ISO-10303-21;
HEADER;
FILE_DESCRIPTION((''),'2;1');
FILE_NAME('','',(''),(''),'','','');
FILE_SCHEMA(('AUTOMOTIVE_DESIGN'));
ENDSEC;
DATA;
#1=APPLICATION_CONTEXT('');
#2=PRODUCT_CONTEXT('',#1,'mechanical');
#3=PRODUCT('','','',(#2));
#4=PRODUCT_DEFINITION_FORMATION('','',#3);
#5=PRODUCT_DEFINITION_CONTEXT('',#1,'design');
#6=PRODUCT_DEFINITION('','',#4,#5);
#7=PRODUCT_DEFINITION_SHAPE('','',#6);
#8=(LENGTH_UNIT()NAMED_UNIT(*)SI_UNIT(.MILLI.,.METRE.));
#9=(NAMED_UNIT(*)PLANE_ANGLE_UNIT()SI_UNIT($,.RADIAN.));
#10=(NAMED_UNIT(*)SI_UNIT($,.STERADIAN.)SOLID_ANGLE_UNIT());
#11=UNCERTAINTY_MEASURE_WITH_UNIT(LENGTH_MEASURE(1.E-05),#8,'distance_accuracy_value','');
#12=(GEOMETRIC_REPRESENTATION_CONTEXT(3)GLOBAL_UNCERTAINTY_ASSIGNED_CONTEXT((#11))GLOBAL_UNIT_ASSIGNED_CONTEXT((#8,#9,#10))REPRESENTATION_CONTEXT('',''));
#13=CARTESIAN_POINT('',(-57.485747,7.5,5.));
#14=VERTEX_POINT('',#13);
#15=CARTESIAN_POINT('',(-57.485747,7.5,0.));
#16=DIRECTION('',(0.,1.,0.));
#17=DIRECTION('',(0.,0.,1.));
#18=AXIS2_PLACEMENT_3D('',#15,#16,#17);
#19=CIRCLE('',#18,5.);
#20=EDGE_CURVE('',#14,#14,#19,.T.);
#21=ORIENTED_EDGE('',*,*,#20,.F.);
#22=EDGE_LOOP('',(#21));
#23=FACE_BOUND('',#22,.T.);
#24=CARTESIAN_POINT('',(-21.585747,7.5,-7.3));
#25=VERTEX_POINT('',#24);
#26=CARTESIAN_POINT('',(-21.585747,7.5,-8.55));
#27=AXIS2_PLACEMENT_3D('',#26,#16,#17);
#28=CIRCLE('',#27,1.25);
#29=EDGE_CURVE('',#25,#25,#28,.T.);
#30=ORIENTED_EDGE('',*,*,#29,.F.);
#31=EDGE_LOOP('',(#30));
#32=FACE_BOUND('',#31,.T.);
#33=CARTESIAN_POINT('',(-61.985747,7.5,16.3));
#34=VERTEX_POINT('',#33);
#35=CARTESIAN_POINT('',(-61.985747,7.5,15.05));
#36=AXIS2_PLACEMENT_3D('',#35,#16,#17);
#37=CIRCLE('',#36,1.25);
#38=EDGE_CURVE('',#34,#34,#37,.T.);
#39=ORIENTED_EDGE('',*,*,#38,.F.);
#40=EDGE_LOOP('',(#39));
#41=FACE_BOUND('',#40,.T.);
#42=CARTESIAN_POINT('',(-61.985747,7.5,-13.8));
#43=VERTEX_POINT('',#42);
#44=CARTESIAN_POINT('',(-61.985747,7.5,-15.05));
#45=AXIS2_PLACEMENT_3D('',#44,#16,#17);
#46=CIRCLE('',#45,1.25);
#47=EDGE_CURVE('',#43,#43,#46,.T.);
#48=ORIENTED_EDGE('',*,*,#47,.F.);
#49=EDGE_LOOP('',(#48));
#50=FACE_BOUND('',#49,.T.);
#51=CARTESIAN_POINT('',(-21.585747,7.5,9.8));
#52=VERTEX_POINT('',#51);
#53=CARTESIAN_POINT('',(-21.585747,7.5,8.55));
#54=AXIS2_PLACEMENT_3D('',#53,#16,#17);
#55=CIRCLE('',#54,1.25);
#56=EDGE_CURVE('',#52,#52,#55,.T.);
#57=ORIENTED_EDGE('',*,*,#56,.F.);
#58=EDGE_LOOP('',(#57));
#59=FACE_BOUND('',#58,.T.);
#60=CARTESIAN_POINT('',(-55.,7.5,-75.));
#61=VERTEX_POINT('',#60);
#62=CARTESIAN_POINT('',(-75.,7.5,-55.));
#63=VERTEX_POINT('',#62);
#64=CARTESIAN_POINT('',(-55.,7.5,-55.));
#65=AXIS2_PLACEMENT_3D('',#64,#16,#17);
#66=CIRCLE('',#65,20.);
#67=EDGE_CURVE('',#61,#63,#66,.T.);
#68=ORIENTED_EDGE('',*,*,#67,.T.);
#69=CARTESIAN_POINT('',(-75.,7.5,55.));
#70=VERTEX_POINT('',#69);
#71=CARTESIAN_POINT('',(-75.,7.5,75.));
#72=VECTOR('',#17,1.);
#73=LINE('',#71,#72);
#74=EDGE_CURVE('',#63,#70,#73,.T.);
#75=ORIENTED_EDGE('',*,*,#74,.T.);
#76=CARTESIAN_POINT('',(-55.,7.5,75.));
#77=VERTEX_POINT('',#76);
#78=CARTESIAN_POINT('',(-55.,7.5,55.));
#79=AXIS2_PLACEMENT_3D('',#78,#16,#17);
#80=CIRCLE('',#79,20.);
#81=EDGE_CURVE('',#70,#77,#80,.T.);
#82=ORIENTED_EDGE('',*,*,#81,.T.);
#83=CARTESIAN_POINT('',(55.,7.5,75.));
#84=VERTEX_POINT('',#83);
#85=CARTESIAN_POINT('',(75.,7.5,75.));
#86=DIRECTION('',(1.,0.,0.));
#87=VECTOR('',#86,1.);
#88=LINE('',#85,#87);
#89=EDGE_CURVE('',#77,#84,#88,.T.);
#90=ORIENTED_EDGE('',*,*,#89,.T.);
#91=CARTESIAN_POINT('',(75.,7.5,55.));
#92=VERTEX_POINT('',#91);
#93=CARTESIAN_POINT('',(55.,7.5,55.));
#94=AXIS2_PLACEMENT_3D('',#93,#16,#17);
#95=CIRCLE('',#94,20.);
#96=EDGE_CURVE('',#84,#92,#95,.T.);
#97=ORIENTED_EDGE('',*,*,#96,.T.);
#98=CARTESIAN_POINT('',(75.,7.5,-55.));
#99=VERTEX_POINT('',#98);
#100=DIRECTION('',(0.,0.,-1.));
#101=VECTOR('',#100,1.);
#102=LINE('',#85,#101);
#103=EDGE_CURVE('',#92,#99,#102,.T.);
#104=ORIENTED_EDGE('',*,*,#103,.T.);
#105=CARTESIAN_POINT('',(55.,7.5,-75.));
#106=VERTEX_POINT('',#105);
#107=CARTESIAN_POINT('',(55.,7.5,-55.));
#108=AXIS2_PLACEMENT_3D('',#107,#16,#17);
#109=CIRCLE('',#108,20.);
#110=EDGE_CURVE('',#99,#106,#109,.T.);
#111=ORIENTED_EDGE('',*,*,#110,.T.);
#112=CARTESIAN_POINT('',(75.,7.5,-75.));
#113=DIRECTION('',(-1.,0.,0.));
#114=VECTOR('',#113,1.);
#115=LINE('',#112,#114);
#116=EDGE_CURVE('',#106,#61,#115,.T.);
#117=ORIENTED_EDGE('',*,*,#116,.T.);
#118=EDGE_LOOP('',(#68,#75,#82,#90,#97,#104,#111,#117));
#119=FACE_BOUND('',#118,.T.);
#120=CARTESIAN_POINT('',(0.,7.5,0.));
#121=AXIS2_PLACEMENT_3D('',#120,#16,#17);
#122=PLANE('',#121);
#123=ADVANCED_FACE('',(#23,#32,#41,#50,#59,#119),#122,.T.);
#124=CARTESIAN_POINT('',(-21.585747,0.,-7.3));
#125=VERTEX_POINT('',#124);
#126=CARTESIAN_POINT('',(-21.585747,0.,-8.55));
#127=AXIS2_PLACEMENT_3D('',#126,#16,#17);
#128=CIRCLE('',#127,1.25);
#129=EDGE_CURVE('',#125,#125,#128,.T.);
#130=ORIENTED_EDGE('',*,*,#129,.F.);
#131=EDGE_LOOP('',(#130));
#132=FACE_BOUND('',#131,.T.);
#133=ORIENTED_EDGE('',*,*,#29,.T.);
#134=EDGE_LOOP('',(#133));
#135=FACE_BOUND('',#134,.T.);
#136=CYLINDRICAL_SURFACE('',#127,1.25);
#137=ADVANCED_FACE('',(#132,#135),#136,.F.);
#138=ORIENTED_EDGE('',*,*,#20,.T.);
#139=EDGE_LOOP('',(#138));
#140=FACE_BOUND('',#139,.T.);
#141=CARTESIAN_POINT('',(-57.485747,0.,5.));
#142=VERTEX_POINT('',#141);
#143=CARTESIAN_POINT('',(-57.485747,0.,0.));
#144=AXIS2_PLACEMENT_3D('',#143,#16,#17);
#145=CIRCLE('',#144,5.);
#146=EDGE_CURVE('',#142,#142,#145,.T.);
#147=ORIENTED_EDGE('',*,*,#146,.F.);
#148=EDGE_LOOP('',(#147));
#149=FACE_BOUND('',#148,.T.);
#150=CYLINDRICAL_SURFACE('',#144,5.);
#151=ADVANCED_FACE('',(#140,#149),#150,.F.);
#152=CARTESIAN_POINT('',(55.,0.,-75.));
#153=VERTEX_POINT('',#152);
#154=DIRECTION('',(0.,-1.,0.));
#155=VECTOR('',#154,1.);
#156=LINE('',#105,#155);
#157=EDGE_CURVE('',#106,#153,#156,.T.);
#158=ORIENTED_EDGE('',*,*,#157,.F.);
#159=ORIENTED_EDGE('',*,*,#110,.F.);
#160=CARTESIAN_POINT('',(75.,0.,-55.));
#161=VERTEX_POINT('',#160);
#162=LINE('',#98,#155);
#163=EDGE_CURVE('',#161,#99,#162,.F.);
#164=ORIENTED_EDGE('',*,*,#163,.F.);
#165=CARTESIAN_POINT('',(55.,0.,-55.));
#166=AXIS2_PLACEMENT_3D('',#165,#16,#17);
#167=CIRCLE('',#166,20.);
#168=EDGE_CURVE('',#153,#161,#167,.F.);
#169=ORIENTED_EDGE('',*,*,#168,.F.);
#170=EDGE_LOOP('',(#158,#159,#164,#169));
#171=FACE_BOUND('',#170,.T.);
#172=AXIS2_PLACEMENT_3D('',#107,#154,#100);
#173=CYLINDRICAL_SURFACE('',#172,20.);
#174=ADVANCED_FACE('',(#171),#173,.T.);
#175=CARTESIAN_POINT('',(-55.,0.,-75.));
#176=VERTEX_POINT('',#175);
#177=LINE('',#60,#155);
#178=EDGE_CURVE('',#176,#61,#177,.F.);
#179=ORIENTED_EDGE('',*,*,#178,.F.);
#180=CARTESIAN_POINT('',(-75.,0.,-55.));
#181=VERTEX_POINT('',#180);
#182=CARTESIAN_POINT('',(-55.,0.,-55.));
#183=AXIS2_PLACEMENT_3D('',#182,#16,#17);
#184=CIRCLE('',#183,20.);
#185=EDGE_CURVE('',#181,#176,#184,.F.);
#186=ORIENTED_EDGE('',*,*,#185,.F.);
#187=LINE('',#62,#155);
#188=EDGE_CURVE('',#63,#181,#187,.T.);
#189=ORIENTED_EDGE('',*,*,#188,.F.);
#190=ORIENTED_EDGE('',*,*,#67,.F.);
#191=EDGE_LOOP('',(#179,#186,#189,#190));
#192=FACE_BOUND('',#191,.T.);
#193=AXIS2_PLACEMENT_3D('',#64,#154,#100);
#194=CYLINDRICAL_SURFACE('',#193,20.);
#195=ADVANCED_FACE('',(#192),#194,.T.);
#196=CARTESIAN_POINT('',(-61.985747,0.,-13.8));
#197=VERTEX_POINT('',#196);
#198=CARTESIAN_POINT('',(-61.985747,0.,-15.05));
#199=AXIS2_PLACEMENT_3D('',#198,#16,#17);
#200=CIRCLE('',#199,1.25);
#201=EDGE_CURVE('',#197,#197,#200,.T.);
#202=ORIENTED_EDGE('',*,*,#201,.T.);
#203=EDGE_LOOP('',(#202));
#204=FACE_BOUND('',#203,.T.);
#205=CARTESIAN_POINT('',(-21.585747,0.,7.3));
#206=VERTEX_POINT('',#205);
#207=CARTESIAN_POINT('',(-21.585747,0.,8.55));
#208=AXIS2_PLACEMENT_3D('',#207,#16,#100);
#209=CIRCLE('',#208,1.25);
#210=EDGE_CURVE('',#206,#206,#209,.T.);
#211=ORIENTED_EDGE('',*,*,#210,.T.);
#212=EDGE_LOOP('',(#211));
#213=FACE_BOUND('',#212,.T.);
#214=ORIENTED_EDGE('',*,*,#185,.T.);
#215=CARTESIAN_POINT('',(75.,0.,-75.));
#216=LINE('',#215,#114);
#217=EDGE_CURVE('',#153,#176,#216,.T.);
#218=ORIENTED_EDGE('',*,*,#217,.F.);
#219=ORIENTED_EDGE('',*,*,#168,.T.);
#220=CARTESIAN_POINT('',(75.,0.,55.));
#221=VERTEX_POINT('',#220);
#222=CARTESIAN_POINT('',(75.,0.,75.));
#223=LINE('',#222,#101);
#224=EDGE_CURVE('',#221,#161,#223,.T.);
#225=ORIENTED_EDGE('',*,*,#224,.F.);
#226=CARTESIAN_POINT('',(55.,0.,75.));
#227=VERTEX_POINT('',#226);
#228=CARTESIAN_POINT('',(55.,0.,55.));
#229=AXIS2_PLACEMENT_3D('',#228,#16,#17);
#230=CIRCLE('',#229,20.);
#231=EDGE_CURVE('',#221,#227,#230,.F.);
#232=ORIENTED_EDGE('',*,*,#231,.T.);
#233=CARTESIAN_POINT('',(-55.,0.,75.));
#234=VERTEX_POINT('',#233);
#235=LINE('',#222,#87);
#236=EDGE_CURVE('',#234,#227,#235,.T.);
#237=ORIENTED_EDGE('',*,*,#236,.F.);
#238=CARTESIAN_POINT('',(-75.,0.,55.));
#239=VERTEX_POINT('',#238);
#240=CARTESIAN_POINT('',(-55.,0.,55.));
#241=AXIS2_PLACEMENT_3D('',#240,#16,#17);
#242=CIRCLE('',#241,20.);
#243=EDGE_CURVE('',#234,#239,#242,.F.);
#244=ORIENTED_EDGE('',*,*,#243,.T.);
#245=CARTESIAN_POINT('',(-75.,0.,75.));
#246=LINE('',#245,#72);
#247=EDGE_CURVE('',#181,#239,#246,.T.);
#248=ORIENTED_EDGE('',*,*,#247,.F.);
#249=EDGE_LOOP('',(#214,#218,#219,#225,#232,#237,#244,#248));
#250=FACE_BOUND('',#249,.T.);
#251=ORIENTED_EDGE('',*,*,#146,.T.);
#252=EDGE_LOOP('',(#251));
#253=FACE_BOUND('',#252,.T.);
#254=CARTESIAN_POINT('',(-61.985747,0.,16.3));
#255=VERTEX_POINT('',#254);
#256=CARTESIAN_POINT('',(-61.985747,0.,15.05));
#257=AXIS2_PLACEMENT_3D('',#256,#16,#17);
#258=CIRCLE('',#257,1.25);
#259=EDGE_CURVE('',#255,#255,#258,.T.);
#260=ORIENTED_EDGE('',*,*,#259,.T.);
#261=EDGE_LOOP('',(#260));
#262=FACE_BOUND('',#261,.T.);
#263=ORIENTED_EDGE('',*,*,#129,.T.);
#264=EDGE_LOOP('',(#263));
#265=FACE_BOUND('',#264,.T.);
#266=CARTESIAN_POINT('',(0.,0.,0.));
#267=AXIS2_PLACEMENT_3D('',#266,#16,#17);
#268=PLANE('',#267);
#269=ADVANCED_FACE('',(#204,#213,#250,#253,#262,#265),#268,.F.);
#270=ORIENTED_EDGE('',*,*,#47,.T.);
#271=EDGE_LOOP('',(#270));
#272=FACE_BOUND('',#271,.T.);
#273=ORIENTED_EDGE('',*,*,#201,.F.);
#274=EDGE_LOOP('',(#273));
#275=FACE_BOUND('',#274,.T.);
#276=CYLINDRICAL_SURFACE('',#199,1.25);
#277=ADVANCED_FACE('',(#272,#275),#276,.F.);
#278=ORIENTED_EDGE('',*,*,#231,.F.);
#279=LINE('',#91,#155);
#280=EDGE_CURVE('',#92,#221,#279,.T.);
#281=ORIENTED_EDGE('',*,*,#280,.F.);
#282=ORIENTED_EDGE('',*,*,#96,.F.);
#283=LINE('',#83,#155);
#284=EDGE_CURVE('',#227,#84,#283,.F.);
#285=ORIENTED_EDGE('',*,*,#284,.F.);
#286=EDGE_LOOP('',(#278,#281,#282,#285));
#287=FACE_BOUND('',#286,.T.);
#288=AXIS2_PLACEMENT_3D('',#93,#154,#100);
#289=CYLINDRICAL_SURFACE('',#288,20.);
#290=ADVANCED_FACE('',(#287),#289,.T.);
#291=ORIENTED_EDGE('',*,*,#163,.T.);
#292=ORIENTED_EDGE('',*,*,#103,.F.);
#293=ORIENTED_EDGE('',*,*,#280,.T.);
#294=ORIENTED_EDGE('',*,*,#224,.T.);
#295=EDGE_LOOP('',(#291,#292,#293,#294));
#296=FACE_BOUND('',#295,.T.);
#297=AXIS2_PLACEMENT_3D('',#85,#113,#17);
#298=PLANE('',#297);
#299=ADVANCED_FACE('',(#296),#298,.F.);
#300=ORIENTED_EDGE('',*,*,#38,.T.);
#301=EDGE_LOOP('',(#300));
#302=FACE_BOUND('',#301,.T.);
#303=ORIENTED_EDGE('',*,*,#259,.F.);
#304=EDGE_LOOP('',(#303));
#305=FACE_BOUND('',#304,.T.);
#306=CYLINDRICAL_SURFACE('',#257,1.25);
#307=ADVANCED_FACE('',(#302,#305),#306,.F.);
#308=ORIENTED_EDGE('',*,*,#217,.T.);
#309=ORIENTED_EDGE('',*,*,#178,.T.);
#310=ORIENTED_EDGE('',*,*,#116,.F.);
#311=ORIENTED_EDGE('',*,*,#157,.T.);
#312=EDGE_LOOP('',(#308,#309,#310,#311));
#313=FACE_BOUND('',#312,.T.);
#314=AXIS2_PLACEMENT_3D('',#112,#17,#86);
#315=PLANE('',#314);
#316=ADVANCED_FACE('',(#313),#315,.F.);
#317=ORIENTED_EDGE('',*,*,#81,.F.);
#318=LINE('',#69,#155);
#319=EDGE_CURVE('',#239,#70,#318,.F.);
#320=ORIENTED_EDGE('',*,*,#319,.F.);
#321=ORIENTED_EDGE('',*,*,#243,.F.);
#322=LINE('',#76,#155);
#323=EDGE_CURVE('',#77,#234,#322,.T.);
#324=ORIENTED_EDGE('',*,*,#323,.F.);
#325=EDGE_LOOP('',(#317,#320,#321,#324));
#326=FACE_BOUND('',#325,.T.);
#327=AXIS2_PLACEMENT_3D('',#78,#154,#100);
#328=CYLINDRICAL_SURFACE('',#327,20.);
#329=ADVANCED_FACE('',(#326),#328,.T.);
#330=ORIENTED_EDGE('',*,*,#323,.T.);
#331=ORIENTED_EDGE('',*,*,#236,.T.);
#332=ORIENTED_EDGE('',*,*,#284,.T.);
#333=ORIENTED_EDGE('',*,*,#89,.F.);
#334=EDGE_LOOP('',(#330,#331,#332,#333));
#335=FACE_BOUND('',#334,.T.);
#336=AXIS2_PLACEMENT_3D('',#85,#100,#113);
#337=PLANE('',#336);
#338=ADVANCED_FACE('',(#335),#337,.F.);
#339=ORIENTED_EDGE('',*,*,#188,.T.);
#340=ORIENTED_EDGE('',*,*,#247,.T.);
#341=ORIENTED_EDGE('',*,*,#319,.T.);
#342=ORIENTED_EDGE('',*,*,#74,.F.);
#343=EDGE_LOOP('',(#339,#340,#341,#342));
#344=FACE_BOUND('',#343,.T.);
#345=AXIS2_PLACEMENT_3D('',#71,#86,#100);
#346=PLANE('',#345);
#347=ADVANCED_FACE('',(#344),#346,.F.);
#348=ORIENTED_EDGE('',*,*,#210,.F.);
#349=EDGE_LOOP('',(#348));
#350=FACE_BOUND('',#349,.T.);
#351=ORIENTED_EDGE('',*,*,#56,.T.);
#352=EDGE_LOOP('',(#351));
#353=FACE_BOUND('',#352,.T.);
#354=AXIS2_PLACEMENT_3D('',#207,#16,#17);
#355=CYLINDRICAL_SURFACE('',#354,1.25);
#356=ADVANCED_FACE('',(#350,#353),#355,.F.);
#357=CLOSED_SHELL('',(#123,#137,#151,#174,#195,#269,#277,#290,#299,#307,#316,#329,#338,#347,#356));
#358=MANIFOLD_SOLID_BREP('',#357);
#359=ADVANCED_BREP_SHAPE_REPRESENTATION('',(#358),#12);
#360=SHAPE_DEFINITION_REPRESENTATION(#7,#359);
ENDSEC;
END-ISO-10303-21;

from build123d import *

# Parameters (mm, degrees)
SKETCH1_W               = 150
SKETCH1_H               = 150
BOSS_EXTRUDE1_DEPTH     = 7.5
CUT_EXTRUDE1_DEPTH      = 107.330851591
CUT_EXTRUDE1_DEPTH_BACK = 107.330851591
SKETCH2_R               = 1.25
SKETCH2_R_2             = 5
FILLET1_R               = 20


with BuildPart() as part:
    # Sketch1 → Boss-Extrude1 (new body)
    with BuildSketch(Plane(origin=(0, 0, 0), x_dir=(1, 0, 0), z_dir=(0, 1, 0))):
        Rectangle(SKETCH1_W, SKETCH1_H)
    extrude(amount=BOSS_EXTRUDE1_DEPTH)

    # Sketch2 → Cut-Extrude1 (cut, two sides: drawn at the far end of the back side and taken through both)
    with BuildSketch(Plane(origin=(0, 7.5, 0), x_dir=(1, 0, 0), z_dir=(0, 1, 0)).offset(-CUT_EXTRUDE1_DEPTH_BACK)):
        with Locations(Location((-61.985746634, -15.05, 0), (0, 0, 270))):
            Circle(SKETCH2_R)
        with Locations(Location((-61.985746634, 15.05, 0), (0, 0, 270))):
            Circle(SKETCH2_R)
        with Locations(Location((-21.585746634, 8.55, 0), (0, 0, 270))):
            Circle(SKETCH2_R)
        with Locations(Location((-21.585746634, -8.55, 0), (0, 0, 270))):
            Circle(SKETCH2_R)
        with Locations(Location((-57.485746634, 0, 0), (0, 0, 270))):
            Circle(SKETCH2_R_2)
    extrude(amount=CUT_EXTRUDE1_DEPTH + CUT_EXTRUDE1_DEPTH_BACK, mode=Mode.SUBTRACT)

    # Fillet1
    fillet1_edges = [part.edges().sort_by_distance(p)[0] for p in [
        (-75, 3.75, -75),
        (75, 3.75, -75),
        (75, 3.75, 75),
        (-75, 3.75, 75),
    ]]
    fillet(fillet1_edges, radius=FILLET1_R)


solid = part.part
